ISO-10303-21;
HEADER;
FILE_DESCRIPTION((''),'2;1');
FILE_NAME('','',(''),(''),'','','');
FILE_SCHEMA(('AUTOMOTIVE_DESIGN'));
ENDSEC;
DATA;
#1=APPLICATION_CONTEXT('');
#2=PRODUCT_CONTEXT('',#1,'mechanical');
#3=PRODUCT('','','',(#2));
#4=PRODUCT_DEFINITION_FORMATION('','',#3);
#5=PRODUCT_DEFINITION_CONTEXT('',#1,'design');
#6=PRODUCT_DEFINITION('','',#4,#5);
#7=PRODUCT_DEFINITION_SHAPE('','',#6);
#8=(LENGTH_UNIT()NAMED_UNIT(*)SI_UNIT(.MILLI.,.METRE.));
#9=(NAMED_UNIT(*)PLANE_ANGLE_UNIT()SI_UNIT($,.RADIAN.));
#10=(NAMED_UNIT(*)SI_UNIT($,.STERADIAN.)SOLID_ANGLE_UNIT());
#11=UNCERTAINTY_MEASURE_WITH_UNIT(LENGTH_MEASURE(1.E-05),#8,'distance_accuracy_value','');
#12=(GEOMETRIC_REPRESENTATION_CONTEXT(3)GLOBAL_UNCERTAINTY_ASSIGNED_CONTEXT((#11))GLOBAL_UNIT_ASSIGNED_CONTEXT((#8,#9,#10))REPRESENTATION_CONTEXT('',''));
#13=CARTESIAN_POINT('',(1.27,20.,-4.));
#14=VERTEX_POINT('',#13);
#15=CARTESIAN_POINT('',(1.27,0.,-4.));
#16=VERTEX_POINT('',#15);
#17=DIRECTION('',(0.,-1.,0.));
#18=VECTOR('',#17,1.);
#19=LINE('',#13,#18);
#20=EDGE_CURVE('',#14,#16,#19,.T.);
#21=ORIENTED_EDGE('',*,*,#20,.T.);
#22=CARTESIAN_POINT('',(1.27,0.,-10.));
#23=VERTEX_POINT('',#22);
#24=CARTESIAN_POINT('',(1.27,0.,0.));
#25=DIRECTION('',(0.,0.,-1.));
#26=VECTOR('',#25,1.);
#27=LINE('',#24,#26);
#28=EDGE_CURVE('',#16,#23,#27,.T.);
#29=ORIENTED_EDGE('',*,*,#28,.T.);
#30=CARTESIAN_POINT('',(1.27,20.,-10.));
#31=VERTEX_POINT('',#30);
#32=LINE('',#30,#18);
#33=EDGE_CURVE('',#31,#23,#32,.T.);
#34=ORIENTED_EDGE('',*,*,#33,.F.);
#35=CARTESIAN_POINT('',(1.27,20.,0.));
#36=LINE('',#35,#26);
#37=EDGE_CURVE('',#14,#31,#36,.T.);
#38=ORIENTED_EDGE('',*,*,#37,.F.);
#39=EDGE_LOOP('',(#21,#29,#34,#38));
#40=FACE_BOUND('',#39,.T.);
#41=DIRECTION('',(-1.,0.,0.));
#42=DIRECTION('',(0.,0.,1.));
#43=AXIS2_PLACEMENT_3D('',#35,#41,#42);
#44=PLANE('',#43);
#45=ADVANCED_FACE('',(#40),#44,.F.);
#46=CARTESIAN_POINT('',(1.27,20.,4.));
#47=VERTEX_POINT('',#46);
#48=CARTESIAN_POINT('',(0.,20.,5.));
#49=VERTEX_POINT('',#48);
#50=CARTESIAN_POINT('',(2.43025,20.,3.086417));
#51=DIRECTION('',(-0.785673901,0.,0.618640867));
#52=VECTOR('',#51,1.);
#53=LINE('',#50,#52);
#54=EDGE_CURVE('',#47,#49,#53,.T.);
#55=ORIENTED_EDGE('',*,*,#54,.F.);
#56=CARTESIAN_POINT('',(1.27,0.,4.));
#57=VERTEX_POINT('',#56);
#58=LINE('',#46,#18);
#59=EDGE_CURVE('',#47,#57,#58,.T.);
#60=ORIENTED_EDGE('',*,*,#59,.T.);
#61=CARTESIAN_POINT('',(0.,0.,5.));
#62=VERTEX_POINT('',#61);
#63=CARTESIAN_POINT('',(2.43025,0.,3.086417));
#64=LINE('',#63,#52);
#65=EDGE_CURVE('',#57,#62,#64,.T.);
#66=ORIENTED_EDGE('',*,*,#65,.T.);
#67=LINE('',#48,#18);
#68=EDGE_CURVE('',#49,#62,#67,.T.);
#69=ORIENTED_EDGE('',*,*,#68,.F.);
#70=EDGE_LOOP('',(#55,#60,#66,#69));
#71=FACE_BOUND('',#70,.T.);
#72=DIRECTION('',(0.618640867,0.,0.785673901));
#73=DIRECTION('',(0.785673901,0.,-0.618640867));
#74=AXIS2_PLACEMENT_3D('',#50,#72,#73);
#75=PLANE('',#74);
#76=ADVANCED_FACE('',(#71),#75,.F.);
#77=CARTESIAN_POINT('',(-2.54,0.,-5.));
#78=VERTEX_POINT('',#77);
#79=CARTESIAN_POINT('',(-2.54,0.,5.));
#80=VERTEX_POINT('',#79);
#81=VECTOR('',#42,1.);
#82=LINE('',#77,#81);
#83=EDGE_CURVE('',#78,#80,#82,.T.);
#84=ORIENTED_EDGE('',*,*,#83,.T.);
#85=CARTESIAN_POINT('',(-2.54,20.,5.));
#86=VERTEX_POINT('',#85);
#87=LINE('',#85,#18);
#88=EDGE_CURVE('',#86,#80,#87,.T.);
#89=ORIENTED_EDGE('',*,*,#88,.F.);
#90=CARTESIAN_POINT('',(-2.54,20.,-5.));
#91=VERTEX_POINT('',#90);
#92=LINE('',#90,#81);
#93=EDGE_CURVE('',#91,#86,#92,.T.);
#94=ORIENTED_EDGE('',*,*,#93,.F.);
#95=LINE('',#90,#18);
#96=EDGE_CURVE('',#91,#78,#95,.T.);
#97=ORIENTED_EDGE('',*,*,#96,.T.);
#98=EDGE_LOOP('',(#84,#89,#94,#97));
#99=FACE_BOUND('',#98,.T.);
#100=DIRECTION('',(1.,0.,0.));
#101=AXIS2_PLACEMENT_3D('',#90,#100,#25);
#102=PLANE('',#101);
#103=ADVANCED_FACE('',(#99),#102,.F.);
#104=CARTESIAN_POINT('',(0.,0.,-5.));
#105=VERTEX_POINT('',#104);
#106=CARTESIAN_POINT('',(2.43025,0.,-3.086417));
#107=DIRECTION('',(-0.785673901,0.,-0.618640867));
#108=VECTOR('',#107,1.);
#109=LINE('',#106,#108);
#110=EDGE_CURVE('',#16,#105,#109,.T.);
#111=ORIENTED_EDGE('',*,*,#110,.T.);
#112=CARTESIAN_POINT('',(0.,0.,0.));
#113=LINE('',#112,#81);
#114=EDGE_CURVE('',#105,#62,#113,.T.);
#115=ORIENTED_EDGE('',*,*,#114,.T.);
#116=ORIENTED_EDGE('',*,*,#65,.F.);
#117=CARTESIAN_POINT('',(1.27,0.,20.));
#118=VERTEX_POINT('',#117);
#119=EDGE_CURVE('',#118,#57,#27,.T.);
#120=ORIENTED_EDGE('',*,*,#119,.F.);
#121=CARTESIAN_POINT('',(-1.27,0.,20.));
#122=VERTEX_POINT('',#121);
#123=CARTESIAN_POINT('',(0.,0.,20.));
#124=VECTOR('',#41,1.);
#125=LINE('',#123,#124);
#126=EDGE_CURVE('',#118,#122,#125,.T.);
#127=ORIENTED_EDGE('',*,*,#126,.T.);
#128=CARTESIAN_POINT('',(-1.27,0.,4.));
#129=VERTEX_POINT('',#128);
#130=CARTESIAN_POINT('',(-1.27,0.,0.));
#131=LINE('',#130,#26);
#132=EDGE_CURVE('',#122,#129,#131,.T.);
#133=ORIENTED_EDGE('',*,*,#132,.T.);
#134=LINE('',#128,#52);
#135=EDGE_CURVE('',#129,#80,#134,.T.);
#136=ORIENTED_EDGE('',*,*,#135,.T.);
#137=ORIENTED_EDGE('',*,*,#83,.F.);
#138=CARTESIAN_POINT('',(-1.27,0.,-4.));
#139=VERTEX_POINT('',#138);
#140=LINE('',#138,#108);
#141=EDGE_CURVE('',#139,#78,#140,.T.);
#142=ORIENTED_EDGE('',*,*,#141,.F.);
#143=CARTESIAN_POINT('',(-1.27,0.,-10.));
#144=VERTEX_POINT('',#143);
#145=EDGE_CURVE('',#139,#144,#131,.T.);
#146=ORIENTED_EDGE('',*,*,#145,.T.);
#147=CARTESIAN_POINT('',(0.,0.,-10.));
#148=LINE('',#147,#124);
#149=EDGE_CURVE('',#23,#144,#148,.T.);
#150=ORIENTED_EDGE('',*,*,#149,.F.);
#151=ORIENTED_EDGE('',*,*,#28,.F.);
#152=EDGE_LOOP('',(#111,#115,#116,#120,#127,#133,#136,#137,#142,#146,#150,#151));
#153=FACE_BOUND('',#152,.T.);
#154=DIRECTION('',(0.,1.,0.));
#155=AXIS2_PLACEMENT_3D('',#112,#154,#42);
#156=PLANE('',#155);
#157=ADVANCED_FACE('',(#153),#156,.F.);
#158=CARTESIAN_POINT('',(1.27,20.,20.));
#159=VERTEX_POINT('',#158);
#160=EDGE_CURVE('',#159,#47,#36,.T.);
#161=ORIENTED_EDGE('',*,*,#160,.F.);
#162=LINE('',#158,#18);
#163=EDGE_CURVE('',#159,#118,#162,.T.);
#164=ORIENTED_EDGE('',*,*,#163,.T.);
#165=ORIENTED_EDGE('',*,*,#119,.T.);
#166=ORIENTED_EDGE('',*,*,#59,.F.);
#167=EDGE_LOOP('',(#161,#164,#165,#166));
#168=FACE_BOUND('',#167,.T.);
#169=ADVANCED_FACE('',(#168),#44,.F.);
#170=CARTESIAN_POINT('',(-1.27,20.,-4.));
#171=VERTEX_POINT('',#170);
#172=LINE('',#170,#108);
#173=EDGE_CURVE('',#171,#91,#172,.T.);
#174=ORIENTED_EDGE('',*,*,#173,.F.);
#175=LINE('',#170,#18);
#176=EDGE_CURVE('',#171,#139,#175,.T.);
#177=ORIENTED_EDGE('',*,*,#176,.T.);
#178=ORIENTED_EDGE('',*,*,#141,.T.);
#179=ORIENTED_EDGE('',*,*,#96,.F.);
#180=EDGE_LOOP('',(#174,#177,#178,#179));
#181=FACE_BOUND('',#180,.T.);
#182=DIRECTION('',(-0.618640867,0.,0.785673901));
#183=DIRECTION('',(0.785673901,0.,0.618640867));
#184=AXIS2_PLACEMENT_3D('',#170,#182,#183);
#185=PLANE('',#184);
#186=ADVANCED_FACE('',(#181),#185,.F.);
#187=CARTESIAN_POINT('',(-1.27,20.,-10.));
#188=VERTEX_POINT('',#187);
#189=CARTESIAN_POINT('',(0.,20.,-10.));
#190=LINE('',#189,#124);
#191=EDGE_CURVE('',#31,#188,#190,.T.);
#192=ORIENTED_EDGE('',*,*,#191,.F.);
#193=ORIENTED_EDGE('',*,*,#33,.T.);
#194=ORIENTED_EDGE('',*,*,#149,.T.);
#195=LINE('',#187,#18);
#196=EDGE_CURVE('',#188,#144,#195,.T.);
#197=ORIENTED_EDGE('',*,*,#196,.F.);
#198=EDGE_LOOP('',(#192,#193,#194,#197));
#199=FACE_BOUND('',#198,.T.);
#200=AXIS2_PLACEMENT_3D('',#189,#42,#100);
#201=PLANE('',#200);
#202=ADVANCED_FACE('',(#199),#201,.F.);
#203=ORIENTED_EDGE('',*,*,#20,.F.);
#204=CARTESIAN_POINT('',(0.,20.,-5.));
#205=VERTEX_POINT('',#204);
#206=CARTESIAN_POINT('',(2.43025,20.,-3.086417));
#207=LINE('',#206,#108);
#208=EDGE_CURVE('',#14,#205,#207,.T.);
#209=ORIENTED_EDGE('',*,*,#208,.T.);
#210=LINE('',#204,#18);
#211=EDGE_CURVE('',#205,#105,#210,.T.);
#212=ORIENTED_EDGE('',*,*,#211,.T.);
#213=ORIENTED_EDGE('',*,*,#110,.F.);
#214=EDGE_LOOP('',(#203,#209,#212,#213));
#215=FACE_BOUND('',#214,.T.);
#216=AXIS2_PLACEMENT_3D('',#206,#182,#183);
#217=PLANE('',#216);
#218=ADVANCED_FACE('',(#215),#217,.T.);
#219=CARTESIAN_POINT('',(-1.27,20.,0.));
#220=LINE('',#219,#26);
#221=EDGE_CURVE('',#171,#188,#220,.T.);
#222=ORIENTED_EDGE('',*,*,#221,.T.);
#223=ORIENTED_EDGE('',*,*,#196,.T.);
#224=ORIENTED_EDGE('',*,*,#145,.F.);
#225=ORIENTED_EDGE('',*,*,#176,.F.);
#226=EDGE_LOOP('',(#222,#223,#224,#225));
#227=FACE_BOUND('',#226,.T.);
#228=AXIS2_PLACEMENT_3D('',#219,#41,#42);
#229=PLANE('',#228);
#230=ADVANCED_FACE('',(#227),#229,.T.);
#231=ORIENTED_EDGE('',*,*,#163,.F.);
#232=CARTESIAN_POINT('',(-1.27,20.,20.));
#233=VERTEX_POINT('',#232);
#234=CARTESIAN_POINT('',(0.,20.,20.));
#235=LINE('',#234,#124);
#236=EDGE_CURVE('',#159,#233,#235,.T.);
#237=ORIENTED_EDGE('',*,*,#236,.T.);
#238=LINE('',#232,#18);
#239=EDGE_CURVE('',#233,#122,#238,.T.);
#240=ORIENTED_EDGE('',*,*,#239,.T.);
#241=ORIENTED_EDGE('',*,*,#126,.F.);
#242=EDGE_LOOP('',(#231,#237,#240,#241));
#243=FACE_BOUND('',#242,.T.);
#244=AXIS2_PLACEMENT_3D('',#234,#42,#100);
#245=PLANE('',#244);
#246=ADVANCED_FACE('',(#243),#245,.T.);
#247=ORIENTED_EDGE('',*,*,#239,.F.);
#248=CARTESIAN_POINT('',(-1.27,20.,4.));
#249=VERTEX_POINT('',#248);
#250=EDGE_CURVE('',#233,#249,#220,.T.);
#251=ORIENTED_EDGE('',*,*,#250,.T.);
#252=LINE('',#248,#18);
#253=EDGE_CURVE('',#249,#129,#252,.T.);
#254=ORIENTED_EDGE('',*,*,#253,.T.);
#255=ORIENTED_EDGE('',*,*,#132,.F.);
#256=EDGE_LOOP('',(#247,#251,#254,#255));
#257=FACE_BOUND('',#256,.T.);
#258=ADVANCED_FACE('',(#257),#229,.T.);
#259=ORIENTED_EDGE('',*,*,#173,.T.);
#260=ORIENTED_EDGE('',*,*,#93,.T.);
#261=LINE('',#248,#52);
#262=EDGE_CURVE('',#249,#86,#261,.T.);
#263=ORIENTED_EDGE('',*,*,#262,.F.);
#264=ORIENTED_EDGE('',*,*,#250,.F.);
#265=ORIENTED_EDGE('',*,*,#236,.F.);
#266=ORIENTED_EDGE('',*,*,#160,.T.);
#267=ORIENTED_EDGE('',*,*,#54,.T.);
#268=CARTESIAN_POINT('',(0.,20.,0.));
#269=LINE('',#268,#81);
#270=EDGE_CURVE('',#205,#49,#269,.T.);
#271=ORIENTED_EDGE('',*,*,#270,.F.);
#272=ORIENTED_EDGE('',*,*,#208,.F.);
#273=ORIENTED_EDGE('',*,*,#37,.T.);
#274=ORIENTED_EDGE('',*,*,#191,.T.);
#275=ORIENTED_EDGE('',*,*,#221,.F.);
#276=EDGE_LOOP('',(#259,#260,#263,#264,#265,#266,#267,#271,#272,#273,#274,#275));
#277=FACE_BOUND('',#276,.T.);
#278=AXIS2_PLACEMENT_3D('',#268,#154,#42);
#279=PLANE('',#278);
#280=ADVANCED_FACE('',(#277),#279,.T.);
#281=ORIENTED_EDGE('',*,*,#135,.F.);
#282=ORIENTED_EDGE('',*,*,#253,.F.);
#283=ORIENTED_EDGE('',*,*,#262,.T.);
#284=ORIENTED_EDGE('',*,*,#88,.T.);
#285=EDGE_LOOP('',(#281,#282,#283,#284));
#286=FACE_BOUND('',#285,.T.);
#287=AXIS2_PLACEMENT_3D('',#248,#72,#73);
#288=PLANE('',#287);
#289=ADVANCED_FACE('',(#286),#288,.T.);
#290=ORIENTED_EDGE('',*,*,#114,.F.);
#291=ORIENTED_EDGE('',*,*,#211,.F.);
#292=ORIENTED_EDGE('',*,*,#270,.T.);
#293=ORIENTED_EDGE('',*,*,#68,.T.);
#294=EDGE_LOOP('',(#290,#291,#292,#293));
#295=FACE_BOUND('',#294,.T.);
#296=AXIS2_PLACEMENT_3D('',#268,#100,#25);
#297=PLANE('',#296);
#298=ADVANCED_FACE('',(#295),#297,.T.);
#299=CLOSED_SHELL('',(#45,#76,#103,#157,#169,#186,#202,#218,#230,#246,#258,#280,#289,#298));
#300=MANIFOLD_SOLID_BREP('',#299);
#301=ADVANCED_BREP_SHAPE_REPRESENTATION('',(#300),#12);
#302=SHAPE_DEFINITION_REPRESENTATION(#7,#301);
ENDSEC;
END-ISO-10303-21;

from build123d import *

# Parameters (mm, degrees)
BOSS_EXTRUDE1_DEPTH = 20


with BuildPart() as part:
    # Sketch1 → Boss-Extrude1 (new body)
    with BuildSketch(Plane(origin=(0, 0, 0), x_dir=(1, 0, 0), z_dir=(0, 1, 0))):
        Polygon((0, 5), (1.27, 4), (1.27, 10), (-1.27, 10), (-1.27, 4), (-1.27, -4), (-1.27, -20), (1.27, -20), (1.27, -5), (1.27, -4), (0, -5), align=None)
        Polygon((-2.54, 5), (-2.54, -5), (-1.27, -4), (-1.27, 4), align=None)
    extrude(amount=BOSS_EXTRUDE1_DEPTH)


solid = part.part
